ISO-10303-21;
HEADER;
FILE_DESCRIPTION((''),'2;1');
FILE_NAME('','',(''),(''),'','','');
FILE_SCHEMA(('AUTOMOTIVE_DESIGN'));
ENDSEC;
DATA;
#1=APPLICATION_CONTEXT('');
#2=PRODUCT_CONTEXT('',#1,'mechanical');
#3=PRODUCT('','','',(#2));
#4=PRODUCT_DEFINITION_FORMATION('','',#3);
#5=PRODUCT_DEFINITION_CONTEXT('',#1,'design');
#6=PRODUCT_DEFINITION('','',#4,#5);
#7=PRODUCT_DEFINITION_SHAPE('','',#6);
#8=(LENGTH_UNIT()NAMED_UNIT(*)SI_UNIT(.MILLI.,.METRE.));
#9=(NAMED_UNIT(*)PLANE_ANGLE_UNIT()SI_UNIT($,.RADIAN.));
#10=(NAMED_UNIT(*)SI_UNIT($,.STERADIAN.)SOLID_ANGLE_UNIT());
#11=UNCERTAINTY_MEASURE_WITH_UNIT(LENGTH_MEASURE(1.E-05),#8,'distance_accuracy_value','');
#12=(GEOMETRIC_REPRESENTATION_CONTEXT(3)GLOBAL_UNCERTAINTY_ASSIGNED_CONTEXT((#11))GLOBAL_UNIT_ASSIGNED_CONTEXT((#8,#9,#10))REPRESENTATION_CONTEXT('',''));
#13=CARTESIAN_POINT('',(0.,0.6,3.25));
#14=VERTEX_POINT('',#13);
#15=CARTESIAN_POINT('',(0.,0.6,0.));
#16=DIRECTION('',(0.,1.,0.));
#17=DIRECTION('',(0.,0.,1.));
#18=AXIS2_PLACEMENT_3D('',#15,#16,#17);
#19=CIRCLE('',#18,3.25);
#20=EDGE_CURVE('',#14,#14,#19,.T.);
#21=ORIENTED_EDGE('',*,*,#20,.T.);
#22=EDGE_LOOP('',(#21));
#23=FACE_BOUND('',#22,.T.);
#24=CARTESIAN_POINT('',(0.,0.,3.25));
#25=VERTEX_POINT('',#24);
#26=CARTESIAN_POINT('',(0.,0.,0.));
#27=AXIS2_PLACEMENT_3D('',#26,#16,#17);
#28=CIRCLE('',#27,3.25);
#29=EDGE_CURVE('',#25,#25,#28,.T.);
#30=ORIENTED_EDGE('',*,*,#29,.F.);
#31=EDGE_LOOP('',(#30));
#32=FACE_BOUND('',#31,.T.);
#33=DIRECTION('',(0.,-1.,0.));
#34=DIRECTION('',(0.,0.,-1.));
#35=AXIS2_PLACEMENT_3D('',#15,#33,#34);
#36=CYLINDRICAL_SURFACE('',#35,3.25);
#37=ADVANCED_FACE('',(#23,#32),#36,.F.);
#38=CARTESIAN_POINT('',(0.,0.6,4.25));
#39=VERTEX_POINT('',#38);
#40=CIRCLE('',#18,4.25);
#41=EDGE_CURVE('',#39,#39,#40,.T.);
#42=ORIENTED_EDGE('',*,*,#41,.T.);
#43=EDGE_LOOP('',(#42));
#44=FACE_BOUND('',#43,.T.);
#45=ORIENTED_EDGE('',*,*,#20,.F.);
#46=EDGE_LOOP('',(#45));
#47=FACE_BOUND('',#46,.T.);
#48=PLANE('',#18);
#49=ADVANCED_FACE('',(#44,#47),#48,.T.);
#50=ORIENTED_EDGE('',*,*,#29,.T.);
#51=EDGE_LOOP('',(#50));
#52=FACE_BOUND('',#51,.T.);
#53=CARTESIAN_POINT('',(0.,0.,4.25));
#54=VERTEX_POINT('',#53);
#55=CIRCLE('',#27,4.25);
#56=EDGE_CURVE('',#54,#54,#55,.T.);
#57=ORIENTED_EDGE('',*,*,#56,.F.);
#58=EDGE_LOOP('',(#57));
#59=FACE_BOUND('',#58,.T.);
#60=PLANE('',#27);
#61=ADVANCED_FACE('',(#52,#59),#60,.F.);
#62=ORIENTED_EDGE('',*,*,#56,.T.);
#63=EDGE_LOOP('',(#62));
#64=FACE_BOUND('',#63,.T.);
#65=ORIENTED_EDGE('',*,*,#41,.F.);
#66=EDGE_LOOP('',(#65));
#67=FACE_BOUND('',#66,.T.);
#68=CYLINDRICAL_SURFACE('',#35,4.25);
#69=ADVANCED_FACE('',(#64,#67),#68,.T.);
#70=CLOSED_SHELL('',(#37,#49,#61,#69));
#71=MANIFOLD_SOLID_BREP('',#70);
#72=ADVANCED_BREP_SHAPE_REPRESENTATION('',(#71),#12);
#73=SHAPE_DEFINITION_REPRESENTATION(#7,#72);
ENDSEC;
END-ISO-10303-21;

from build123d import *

# Parameters (mm, degrees)
ESQUISSE1_R        = 4.25
ESQUISSE1_R_2      = 3.25
BOSS_EXTRU_1_DEPTH = 0.6


with BuildPart() as part:
    # Esquisse1 → Boss.-Extru.1 (new body)
    with BuildSketch(Plane(origin=(0, 0, 0), x_dir=(1, 0, 0), z_dir=(0, 1, 0))):
        with Locations(Location((0, 0, 0), (0, 0, 270))):
            Circle(ESQUISSE1_R)
        with Locations(Location((0, 0, 0), (0, 0, 270))):
            Circle(ESQUISSE1_R_2, mode=Mode.SUBTRACT)
    extrude(amount=BOSS_EXTRU_1_DEPTH)


solid = part.part
